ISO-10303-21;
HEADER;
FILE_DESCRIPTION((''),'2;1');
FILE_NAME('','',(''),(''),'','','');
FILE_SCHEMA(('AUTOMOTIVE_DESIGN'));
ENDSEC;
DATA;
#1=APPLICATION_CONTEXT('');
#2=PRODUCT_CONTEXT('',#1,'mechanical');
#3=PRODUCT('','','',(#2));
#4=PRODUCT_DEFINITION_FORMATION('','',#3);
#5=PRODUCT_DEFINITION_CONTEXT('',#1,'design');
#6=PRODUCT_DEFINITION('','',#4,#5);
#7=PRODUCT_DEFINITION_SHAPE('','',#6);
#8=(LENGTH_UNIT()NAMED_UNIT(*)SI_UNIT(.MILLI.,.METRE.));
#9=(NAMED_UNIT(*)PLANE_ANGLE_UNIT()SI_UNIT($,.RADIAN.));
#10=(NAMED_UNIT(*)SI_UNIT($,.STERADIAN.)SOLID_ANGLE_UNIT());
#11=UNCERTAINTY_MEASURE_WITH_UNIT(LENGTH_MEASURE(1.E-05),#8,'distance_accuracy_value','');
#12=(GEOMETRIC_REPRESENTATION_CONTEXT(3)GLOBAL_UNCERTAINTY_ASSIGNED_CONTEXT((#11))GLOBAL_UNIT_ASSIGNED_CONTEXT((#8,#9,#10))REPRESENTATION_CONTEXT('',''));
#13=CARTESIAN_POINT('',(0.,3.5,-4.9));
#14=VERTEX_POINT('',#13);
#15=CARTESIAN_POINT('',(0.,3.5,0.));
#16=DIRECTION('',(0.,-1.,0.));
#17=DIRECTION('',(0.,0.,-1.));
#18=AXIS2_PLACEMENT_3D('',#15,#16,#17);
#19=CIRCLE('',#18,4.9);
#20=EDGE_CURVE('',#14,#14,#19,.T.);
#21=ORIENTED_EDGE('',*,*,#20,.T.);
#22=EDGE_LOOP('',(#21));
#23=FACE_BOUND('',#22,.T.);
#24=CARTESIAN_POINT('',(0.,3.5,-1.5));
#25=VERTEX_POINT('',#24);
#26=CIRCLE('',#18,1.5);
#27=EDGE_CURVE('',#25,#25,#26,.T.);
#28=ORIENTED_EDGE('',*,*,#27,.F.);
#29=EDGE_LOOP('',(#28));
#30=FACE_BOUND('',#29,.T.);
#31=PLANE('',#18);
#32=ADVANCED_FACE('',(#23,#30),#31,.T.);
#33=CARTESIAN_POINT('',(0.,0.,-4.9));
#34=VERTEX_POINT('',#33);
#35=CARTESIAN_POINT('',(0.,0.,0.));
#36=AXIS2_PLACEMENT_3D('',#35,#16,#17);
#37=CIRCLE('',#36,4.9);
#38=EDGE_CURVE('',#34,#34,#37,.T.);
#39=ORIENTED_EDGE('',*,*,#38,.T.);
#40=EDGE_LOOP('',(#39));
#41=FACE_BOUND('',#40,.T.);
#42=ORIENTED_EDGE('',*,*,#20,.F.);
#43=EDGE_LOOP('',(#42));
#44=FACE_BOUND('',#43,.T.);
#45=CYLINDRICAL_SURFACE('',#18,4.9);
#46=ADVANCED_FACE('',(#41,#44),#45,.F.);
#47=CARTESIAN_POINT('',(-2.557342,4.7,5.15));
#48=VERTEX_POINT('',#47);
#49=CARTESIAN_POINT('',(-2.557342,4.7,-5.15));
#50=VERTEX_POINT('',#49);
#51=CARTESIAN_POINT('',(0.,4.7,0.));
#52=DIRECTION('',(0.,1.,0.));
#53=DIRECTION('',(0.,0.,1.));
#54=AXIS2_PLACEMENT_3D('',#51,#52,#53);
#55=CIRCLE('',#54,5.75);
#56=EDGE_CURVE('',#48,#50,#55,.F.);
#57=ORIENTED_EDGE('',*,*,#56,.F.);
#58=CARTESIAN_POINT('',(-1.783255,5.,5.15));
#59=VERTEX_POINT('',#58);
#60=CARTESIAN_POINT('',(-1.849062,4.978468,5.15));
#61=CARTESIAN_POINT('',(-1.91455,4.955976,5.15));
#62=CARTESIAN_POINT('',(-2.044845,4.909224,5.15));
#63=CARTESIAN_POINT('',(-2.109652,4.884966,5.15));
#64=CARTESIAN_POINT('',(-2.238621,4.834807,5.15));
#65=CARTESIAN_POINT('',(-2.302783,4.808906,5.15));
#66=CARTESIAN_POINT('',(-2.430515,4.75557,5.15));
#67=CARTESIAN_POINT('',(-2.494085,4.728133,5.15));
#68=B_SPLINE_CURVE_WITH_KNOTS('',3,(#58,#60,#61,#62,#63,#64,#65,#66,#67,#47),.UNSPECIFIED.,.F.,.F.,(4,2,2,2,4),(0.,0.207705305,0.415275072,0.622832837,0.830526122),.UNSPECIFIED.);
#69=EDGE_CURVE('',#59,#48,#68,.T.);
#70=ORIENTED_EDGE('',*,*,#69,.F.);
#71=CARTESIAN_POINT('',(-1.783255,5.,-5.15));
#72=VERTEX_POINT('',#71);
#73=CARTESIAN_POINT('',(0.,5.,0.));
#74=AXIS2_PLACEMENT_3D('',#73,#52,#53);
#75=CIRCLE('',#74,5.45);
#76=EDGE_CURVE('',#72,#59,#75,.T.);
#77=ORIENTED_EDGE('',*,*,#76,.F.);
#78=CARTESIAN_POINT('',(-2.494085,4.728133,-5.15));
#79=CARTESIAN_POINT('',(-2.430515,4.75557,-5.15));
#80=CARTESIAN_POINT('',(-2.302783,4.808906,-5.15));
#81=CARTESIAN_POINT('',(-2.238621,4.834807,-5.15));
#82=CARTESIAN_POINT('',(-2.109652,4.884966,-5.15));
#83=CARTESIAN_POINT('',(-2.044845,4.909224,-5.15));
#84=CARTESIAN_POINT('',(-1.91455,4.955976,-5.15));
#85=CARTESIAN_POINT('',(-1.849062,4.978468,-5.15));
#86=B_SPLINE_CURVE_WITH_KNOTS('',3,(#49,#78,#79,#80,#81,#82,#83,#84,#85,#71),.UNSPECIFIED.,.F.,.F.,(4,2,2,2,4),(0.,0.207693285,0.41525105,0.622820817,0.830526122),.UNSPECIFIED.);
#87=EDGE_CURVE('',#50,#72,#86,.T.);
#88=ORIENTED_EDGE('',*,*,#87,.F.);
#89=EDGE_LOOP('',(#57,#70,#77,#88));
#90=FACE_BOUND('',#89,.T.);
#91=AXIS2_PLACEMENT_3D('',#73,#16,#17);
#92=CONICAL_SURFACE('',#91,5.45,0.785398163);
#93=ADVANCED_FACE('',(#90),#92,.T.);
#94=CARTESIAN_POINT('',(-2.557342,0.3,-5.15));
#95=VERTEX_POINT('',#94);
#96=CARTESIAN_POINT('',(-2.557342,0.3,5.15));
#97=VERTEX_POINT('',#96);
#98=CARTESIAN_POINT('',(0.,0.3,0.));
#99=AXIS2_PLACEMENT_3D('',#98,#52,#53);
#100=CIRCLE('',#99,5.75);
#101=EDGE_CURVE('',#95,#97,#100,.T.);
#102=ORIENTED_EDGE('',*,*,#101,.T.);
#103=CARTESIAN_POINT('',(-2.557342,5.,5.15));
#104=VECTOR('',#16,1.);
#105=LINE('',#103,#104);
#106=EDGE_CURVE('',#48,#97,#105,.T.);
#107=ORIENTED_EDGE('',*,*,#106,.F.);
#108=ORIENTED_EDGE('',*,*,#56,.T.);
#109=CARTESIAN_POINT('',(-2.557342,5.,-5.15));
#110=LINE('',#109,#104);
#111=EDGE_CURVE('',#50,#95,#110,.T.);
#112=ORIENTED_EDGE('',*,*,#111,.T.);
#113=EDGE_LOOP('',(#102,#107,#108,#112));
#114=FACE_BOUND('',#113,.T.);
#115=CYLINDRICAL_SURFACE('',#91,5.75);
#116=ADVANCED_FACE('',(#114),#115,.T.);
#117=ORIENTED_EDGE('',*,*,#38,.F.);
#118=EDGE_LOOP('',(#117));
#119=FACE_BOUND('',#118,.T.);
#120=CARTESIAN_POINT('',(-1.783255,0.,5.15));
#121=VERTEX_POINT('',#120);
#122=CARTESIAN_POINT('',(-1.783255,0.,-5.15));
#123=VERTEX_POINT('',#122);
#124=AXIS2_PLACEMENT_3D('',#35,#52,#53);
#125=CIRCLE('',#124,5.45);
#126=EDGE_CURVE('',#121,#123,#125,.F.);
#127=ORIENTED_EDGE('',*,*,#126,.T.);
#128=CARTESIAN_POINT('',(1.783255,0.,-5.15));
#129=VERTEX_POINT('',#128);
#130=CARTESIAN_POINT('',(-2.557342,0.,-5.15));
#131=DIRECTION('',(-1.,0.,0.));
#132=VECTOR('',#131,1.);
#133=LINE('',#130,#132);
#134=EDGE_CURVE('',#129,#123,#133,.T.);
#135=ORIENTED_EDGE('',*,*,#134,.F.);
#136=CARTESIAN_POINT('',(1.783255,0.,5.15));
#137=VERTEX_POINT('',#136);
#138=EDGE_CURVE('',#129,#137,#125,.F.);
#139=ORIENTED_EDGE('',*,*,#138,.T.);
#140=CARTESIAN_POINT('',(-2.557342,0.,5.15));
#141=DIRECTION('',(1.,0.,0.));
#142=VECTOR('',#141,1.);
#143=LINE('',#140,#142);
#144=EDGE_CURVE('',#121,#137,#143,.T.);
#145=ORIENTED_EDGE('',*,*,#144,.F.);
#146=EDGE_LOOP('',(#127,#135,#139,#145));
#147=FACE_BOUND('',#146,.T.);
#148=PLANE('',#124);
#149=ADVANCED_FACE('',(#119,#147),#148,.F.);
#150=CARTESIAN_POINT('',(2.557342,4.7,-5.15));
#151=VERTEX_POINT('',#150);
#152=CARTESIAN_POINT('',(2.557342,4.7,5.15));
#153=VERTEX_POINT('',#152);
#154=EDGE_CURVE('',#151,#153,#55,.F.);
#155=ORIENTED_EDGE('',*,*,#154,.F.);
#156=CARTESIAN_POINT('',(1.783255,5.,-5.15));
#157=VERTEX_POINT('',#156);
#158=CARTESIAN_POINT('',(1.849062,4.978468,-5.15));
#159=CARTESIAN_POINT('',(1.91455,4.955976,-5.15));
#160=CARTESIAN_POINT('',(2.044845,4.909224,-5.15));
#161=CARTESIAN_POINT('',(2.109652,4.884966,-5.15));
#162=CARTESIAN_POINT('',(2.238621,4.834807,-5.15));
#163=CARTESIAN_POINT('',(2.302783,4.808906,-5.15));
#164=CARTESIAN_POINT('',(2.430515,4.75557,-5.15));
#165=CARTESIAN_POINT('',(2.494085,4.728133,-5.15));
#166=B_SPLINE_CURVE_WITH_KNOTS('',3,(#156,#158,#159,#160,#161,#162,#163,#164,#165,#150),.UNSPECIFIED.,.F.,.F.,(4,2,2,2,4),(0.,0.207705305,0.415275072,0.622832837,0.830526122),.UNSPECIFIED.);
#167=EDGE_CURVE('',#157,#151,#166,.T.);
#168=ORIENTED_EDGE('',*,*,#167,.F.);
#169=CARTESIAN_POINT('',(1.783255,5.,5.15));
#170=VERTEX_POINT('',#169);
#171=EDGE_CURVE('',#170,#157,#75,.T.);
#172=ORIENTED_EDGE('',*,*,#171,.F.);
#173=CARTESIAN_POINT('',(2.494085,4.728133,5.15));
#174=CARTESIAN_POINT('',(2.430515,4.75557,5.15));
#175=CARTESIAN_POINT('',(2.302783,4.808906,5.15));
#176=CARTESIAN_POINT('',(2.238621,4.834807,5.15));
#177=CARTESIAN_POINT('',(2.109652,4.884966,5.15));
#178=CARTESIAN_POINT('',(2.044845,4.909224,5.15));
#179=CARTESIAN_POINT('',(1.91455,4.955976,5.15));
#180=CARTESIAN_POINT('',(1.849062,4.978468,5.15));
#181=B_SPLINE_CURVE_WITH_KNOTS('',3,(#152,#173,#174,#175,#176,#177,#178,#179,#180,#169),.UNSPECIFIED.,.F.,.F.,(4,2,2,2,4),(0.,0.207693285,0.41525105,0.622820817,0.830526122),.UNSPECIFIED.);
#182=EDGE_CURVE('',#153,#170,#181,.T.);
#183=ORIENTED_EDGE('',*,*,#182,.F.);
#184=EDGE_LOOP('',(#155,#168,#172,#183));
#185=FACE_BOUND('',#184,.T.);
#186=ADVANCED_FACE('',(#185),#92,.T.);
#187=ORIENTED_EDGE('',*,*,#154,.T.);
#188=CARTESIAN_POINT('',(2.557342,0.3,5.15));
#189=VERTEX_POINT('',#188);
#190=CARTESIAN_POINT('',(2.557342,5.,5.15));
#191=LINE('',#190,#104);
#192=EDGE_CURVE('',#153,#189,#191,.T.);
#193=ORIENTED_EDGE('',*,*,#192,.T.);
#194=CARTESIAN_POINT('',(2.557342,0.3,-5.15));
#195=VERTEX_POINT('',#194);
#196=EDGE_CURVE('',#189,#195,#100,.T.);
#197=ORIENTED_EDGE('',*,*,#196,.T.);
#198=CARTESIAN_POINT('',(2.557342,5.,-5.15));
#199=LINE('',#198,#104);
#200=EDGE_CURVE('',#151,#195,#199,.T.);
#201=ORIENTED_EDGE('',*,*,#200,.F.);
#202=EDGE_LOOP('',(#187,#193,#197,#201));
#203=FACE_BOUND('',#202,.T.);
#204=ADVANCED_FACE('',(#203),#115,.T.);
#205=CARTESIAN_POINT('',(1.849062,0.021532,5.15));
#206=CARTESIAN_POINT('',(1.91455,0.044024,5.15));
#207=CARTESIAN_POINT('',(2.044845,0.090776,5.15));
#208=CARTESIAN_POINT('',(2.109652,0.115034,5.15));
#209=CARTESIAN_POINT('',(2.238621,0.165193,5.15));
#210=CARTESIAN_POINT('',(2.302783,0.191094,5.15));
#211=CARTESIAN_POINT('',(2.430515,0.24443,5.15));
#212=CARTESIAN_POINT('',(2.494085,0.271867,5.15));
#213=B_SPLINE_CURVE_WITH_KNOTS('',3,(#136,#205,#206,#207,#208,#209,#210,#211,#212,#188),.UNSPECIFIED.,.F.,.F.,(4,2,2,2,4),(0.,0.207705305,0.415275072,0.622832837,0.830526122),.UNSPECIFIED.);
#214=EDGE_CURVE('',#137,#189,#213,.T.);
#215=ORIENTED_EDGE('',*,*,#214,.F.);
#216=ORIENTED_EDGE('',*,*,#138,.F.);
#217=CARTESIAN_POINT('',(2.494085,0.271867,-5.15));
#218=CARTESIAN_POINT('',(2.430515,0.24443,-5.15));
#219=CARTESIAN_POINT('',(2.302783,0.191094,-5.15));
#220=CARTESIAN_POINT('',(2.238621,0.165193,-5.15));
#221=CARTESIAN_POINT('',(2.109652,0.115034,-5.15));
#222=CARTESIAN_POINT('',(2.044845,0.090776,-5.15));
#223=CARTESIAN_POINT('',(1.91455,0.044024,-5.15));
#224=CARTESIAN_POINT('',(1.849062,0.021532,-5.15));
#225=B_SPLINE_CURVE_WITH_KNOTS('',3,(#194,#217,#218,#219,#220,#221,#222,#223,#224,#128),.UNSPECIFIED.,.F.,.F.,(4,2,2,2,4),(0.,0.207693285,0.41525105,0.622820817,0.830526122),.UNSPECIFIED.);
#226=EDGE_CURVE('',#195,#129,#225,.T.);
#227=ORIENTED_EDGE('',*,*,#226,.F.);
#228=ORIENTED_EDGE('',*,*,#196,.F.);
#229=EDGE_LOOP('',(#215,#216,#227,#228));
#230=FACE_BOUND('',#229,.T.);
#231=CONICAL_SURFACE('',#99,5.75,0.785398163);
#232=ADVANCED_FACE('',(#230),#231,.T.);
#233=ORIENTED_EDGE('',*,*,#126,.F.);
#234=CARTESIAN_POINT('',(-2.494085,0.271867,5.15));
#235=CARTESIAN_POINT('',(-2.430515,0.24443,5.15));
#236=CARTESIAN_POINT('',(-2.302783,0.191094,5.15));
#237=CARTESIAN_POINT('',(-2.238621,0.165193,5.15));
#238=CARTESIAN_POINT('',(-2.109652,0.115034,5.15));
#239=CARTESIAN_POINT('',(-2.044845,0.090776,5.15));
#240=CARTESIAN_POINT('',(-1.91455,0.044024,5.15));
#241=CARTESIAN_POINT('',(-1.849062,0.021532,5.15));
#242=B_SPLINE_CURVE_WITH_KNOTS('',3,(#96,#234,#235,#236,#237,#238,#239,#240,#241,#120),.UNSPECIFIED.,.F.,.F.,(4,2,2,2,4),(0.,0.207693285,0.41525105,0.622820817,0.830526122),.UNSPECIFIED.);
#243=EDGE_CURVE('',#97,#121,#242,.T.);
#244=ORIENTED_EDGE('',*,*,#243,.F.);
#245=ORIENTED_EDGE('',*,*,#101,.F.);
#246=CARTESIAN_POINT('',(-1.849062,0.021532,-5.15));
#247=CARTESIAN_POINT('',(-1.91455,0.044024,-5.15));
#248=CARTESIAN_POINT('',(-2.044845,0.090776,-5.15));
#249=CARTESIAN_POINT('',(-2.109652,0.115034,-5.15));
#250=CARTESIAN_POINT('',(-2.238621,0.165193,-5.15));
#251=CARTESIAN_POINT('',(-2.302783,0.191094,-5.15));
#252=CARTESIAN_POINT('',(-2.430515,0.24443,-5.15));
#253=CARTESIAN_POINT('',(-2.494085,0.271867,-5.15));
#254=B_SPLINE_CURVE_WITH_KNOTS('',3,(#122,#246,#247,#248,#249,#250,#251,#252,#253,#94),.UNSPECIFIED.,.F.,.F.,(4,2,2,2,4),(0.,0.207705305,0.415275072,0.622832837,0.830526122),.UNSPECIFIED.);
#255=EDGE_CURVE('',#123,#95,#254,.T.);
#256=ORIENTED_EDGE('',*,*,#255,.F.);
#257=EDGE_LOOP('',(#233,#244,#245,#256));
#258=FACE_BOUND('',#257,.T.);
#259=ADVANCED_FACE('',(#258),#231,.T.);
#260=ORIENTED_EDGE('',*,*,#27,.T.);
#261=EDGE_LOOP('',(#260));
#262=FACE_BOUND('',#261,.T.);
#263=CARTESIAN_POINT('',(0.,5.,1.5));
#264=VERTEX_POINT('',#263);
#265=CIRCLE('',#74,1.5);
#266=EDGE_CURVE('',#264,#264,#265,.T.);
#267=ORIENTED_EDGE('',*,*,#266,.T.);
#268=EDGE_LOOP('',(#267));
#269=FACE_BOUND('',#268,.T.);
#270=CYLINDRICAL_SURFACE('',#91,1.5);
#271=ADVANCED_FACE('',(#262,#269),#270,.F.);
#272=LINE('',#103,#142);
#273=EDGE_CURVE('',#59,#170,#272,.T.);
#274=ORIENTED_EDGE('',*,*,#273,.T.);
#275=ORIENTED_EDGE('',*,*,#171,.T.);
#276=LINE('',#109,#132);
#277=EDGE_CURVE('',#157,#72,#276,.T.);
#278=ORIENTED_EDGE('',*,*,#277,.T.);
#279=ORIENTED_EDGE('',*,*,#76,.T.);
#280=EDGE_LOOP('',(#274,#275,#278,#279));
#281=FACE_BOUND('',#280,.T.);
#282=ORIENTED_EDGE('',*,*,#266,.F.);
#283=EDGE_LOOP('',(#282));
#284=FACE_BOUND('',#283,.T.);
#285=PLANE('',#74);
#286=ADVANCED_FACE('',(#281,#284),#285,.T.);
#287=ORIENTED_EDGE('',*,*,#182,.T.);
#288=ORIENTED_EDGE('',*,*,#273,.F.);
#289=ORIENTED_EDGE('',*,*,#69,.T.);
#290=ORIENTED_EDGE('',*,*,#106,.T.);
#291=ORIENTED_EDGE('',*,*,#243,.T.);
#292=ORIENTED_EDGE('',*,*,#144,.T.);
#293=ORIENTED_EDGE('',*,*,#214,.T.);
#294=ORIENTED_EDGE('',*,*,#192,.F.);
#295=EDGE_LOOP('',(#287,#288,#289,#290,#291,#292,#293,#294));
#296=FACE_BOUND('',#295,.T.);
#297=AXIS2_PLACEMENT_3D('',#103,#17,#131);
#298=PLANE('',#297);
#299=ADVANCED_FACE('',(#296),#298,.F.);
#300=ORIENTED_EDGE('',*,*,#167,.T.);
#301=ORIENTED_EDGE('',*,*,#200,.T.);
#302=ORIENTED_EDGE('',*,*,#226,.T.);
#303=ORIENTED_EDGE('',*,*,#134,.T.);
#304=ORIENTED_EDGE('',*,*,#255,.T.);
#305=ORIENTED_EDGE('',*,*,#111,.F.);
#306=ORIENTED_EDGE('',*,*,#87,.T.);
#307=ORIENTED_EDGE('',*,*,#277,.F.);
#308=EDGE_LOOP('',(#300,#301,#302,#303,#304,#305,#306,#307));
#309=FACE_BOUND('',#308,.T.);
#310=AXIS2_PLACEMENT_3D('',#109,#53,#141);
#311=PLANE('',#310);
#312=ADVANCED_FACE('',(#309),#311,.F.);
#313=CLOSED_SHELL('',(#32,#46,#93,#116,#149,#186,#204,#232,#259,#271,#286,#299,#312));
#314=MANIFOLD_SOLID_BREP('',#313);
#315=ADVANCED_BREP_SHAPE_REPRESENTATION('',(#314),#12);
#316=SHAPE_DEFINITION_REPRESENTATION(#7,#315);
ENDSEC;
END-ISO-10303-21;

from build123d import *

# Parameters (mm, degrees)
SKETCH_1_R          = 1.5
EXTRUDE_1_DEPTH     = 5
SKETCH_2_R          = 4.9
CUT_EXTRUDE_1_DEPTH = 3.5
CHAMFER_1_SIZE      = 0.3


with BuildPart() as part:
    # ｽｹｯﾁ1 → ﾎﾞｽ - 押し出し1 (new body)
    with BuildSketch(Plane(origin=(0, 0, 0), x_dir=(1, 0, 0), z_dir=(0, 1, 0))):
        with BuildLine():
            Line((-2.557342371, -5.15), (2.557342371, -5.15))
            ThreePointArc((2.557342371, -5.15), (5.75, 0), (2.557342371, 5.15))
            Line((2.557342371, 5.15), (-2.557342371, 5.15))
            ThreePointArc((-2.557342371, 5.15), (-5.75, 0), (-2.557342371, -5.15))
        make_face()
        with Locations(Location((0, 0, 0), (0, 0, 270))):
            Circle(SKETCH_1_R, mode=Mode.SUBTRACT)
    extrude(amount=EXTRUDE_1_DEPTH)

    # ｽｹｯﾁ2 → ｶｯﾄ - 押し出し1 (cut)
    with BuildSketch(Plane.XZ):
        with Locations(Location((0, 0, 0), (0, 0, 270))):
            Circle(SKETCH_2_R)
    extrude(amount=-CUT_EXTRUDE_1_DEPTH, mode=Mode.SUBTRACT)

    # 面取り1
    chamfer_1_edges = [part.edges().sort_by_distance(p)[0] for p in [
        (5.75, 5, 0),
        (-5.75, 5, 0),
        (5.75, 0, 0),
        (-5.75, 0, 0),
    ]]
    chamfer(chamfer_1_edges, length=CHAMFER_1_SIZE)


solid = part.part
